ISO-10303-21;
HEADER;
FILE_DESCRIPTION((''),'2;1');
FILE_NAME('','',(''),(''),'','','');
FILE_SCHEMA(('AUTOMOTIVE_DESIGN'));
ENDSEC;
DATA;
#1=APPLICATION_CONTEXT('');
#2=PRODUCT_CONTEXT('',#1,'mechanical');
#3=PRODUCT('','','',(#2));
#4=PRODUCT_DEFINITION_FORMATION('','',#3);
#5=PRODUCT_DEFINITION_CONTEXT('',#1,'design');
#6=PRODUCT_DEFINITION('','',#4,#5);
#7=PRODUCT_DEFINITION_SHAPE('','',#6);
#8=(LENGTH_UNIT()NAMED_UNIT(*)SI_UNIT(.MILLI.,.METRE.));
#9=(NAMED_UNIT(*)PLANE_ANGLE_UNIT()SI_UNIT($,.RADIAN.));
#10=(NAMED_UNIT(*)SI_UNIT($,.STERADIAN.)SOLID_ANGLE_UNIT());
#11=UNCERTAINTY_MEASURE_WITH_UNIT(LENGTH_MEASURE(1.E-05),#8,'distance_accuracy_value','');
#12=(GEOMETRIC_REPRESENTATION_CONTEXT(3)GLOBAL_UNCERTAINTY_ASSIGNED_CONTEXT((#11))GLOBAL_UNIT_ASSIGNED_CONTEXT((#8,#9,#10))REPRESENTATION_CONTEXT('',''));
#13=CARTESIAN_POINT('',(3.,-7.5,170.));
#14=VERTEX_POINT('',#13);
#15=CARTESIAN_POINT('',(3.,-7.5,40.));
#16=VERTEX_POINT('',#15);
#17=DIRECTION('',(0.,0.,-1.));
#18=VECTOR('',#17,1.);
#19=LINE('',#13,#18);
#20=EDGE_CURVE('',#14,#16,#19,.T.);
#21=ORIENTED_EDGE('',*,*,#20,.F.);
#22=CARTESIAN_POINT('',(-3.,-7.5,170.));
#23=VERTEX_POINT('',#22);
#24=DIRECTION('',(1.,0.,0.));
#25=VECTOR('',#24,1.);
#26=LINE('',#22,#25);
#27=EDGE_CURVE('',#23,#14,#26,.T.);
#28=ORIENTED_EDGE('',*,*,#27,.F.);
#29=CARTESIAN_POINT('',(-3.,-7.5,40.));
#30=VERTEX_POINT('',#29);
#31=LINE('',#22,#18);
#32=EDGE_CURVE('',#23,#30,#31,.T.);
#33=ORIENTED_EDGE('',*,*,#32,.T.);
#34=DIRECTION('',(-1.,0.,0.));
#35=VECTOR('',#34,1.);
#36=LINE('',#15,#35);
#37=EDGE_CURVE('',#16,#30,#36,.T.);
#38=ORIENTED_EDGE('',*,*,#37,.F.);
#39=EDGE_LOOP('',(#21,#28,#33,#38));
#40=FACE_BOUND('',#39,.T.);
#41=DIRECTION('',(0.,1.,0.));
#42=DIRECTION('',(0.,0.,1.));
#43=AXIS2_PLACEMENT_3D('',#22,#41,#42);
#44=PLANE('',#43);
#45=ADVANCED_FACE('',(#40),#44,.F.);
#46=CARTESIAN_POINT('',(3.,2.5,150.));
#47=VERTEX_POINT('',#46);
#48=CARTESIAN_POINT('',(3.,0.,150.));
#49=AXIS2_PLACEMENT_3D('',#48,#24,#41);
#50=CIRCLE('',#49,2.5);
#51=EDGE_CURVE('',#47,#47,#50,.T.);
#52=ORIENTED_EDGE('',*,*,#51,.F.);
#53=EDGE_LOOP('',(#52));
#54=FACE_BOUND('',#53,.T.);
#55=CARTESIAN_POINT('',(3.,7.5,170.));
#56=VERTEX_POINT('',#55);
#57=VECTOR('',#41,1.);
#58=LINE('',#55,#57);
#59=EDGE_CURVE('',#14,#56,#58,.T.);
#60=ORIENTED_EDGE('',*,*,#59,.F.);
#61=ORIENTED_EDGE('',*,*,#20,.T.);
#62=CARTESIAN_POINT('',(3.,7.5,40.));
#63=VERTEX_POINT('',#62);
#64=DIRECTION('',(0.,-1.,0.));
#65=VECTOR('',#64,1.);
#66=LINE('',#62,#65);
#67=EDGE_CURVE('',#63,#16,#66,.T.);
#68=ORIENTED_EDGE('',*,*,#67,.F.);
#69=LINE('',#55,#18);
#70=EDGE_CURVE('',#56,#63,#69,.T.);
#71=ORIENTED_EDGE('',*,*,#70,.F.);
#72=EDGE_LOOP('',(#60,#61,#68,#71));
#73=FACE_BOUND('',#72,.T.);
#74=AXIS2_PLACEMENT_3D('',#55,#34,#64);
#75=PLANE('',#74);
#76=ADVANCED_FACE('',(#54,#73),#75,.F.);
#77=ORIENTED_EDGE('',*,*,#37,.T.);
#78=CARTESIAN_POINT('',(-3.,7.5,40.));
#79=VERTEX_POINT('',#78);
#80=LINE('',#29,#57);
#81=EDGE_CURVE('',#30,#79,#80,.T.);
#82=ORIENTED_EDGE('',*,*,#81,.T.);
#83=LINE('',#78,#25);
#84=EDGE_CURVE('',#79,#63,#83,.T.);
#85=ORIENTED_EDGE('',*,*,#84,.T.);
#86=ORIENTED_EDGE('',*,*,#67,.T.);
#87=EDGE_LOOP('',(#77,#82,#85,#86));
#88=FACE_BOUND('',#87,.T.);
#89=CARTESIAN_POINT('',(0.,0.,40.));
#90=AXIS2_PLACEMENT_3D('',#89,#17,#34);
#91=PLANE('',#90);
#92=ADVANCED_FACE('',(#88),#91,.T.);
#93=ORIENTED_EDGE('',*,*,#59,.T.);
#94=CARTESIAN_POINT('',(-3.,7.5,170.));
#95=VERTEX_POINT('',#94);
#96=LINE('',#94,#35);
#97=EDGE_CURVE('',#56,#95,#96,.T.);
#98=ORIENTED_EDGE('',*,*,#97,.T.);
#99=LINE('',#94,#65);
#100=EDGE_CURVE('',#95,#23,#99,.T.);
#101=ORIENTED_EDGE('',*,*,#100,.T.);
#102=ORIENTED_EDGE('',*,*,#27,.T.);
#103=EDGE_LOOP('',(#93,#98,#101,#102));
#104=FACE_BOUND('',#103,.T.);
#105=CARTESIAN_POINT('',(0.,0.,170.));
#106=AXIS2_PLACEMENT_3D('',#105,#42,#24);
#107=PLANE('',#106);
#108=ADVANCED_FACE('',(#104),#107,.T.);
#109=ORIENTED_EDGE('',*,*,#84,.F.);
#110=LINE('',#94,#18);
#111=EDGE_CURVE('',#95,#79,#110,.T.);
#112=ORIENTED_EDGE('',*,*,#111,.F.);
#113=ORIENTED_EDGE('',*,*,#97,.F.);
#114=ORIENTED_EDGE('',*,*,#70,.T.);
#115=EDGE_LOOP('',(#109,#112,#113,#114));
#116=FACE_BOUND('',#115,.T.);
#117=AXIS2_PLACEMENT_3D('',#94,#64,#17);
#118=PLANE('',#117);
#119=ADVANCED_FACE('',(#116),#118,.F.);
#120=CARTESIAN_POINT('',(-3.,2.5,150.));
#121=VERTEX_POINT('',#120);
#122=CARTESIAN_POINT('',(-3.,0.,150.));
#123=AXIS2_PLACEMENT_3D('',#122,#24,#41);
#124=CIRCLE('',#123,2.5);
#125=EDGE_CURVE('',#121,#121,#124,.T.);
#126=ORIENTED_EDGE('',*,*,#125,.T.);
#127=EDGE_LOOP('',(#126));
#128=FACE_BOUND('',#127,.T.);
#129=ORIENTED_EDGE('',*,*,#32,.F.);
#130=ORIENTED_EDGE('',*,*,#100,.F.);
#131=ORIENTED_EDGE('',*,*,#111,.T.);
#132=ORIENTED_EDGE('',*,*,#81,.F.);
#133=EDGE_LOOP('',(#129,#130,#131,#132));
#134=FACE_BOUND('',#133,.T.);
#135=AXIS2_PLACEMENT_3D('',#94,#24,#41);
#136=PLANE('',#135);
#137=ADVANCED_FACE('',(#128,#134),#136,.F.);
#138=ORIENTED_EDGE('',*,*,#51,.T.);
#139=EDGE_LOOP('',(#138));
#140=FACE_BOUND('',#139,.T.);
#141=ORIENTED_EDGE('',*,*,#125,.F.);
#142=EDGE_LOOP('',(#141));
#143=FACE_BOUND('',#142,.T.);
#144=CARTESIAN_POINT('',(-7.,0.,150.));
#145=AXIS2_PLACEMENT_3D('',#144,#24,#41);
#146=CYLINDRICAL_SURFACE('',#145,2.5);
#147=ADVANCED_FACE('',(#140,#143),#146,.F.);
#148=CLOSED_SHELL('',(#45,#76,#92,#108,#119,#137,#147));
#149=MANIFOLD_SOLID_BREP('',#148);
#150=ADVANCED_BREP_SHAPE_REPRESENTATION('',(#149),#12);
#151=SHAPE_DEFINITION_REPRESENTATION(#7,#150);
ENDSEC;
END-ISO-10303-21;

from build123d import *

# Parameters (mm, degrees)
ESQUISSE1_W             = 6
ESQUISSE1_H             = 15
BOSS_EXTRU_1_DEPTH      = 170
ESQUISSE2_R             = 2.5
ENL_V_MAT_EXTRU_1_DEPTH = 10
SKETCH1_W               = 6
SKETCH1_H               = 15
CUT_EXTRUDE1_DEPTH      = 40


with BuildPart() as part:
    # Esquisse1 → Boss.-Extru.1 (new body)
    with BuildSketch(Plane.XY):
        Rectangle(ESQUISSE1_W, ESQUISSE1_H)
    extrude(amount=BOSS_EXTRU_1_DEPTH)

    # Esquisse2 → Enlèv. mat.-Extru.1 (cut)
    with BuildSketch(Plane(origin=(3, 0, 0), x_dir=(0, 0, -1), z_dir=(1, 0, 0))):
        with Locations(Location((-150, 0, 0), (0, 0, 90))):
            Circle(ESQUISSE2_R)
    extrude(amount=-ENL_V_MAT_EXTRU_1_DEPTH, mode=Mode.SUBTRACT)

    # Sketch1 → Cut-Extrude1 (cut)
    with BuildSketch(Plane(origin=(0, 0, 0), x_dir=(-1, 0, 0), z_dir=(0, 0, -1))):
        Rectangle(SKETCH1_W, SKETCH1_H)
    extrude(amount=-CUT_EXTRUDE1_DEPTH, mode=Mode.SUBTRACT)


solid = part.part
